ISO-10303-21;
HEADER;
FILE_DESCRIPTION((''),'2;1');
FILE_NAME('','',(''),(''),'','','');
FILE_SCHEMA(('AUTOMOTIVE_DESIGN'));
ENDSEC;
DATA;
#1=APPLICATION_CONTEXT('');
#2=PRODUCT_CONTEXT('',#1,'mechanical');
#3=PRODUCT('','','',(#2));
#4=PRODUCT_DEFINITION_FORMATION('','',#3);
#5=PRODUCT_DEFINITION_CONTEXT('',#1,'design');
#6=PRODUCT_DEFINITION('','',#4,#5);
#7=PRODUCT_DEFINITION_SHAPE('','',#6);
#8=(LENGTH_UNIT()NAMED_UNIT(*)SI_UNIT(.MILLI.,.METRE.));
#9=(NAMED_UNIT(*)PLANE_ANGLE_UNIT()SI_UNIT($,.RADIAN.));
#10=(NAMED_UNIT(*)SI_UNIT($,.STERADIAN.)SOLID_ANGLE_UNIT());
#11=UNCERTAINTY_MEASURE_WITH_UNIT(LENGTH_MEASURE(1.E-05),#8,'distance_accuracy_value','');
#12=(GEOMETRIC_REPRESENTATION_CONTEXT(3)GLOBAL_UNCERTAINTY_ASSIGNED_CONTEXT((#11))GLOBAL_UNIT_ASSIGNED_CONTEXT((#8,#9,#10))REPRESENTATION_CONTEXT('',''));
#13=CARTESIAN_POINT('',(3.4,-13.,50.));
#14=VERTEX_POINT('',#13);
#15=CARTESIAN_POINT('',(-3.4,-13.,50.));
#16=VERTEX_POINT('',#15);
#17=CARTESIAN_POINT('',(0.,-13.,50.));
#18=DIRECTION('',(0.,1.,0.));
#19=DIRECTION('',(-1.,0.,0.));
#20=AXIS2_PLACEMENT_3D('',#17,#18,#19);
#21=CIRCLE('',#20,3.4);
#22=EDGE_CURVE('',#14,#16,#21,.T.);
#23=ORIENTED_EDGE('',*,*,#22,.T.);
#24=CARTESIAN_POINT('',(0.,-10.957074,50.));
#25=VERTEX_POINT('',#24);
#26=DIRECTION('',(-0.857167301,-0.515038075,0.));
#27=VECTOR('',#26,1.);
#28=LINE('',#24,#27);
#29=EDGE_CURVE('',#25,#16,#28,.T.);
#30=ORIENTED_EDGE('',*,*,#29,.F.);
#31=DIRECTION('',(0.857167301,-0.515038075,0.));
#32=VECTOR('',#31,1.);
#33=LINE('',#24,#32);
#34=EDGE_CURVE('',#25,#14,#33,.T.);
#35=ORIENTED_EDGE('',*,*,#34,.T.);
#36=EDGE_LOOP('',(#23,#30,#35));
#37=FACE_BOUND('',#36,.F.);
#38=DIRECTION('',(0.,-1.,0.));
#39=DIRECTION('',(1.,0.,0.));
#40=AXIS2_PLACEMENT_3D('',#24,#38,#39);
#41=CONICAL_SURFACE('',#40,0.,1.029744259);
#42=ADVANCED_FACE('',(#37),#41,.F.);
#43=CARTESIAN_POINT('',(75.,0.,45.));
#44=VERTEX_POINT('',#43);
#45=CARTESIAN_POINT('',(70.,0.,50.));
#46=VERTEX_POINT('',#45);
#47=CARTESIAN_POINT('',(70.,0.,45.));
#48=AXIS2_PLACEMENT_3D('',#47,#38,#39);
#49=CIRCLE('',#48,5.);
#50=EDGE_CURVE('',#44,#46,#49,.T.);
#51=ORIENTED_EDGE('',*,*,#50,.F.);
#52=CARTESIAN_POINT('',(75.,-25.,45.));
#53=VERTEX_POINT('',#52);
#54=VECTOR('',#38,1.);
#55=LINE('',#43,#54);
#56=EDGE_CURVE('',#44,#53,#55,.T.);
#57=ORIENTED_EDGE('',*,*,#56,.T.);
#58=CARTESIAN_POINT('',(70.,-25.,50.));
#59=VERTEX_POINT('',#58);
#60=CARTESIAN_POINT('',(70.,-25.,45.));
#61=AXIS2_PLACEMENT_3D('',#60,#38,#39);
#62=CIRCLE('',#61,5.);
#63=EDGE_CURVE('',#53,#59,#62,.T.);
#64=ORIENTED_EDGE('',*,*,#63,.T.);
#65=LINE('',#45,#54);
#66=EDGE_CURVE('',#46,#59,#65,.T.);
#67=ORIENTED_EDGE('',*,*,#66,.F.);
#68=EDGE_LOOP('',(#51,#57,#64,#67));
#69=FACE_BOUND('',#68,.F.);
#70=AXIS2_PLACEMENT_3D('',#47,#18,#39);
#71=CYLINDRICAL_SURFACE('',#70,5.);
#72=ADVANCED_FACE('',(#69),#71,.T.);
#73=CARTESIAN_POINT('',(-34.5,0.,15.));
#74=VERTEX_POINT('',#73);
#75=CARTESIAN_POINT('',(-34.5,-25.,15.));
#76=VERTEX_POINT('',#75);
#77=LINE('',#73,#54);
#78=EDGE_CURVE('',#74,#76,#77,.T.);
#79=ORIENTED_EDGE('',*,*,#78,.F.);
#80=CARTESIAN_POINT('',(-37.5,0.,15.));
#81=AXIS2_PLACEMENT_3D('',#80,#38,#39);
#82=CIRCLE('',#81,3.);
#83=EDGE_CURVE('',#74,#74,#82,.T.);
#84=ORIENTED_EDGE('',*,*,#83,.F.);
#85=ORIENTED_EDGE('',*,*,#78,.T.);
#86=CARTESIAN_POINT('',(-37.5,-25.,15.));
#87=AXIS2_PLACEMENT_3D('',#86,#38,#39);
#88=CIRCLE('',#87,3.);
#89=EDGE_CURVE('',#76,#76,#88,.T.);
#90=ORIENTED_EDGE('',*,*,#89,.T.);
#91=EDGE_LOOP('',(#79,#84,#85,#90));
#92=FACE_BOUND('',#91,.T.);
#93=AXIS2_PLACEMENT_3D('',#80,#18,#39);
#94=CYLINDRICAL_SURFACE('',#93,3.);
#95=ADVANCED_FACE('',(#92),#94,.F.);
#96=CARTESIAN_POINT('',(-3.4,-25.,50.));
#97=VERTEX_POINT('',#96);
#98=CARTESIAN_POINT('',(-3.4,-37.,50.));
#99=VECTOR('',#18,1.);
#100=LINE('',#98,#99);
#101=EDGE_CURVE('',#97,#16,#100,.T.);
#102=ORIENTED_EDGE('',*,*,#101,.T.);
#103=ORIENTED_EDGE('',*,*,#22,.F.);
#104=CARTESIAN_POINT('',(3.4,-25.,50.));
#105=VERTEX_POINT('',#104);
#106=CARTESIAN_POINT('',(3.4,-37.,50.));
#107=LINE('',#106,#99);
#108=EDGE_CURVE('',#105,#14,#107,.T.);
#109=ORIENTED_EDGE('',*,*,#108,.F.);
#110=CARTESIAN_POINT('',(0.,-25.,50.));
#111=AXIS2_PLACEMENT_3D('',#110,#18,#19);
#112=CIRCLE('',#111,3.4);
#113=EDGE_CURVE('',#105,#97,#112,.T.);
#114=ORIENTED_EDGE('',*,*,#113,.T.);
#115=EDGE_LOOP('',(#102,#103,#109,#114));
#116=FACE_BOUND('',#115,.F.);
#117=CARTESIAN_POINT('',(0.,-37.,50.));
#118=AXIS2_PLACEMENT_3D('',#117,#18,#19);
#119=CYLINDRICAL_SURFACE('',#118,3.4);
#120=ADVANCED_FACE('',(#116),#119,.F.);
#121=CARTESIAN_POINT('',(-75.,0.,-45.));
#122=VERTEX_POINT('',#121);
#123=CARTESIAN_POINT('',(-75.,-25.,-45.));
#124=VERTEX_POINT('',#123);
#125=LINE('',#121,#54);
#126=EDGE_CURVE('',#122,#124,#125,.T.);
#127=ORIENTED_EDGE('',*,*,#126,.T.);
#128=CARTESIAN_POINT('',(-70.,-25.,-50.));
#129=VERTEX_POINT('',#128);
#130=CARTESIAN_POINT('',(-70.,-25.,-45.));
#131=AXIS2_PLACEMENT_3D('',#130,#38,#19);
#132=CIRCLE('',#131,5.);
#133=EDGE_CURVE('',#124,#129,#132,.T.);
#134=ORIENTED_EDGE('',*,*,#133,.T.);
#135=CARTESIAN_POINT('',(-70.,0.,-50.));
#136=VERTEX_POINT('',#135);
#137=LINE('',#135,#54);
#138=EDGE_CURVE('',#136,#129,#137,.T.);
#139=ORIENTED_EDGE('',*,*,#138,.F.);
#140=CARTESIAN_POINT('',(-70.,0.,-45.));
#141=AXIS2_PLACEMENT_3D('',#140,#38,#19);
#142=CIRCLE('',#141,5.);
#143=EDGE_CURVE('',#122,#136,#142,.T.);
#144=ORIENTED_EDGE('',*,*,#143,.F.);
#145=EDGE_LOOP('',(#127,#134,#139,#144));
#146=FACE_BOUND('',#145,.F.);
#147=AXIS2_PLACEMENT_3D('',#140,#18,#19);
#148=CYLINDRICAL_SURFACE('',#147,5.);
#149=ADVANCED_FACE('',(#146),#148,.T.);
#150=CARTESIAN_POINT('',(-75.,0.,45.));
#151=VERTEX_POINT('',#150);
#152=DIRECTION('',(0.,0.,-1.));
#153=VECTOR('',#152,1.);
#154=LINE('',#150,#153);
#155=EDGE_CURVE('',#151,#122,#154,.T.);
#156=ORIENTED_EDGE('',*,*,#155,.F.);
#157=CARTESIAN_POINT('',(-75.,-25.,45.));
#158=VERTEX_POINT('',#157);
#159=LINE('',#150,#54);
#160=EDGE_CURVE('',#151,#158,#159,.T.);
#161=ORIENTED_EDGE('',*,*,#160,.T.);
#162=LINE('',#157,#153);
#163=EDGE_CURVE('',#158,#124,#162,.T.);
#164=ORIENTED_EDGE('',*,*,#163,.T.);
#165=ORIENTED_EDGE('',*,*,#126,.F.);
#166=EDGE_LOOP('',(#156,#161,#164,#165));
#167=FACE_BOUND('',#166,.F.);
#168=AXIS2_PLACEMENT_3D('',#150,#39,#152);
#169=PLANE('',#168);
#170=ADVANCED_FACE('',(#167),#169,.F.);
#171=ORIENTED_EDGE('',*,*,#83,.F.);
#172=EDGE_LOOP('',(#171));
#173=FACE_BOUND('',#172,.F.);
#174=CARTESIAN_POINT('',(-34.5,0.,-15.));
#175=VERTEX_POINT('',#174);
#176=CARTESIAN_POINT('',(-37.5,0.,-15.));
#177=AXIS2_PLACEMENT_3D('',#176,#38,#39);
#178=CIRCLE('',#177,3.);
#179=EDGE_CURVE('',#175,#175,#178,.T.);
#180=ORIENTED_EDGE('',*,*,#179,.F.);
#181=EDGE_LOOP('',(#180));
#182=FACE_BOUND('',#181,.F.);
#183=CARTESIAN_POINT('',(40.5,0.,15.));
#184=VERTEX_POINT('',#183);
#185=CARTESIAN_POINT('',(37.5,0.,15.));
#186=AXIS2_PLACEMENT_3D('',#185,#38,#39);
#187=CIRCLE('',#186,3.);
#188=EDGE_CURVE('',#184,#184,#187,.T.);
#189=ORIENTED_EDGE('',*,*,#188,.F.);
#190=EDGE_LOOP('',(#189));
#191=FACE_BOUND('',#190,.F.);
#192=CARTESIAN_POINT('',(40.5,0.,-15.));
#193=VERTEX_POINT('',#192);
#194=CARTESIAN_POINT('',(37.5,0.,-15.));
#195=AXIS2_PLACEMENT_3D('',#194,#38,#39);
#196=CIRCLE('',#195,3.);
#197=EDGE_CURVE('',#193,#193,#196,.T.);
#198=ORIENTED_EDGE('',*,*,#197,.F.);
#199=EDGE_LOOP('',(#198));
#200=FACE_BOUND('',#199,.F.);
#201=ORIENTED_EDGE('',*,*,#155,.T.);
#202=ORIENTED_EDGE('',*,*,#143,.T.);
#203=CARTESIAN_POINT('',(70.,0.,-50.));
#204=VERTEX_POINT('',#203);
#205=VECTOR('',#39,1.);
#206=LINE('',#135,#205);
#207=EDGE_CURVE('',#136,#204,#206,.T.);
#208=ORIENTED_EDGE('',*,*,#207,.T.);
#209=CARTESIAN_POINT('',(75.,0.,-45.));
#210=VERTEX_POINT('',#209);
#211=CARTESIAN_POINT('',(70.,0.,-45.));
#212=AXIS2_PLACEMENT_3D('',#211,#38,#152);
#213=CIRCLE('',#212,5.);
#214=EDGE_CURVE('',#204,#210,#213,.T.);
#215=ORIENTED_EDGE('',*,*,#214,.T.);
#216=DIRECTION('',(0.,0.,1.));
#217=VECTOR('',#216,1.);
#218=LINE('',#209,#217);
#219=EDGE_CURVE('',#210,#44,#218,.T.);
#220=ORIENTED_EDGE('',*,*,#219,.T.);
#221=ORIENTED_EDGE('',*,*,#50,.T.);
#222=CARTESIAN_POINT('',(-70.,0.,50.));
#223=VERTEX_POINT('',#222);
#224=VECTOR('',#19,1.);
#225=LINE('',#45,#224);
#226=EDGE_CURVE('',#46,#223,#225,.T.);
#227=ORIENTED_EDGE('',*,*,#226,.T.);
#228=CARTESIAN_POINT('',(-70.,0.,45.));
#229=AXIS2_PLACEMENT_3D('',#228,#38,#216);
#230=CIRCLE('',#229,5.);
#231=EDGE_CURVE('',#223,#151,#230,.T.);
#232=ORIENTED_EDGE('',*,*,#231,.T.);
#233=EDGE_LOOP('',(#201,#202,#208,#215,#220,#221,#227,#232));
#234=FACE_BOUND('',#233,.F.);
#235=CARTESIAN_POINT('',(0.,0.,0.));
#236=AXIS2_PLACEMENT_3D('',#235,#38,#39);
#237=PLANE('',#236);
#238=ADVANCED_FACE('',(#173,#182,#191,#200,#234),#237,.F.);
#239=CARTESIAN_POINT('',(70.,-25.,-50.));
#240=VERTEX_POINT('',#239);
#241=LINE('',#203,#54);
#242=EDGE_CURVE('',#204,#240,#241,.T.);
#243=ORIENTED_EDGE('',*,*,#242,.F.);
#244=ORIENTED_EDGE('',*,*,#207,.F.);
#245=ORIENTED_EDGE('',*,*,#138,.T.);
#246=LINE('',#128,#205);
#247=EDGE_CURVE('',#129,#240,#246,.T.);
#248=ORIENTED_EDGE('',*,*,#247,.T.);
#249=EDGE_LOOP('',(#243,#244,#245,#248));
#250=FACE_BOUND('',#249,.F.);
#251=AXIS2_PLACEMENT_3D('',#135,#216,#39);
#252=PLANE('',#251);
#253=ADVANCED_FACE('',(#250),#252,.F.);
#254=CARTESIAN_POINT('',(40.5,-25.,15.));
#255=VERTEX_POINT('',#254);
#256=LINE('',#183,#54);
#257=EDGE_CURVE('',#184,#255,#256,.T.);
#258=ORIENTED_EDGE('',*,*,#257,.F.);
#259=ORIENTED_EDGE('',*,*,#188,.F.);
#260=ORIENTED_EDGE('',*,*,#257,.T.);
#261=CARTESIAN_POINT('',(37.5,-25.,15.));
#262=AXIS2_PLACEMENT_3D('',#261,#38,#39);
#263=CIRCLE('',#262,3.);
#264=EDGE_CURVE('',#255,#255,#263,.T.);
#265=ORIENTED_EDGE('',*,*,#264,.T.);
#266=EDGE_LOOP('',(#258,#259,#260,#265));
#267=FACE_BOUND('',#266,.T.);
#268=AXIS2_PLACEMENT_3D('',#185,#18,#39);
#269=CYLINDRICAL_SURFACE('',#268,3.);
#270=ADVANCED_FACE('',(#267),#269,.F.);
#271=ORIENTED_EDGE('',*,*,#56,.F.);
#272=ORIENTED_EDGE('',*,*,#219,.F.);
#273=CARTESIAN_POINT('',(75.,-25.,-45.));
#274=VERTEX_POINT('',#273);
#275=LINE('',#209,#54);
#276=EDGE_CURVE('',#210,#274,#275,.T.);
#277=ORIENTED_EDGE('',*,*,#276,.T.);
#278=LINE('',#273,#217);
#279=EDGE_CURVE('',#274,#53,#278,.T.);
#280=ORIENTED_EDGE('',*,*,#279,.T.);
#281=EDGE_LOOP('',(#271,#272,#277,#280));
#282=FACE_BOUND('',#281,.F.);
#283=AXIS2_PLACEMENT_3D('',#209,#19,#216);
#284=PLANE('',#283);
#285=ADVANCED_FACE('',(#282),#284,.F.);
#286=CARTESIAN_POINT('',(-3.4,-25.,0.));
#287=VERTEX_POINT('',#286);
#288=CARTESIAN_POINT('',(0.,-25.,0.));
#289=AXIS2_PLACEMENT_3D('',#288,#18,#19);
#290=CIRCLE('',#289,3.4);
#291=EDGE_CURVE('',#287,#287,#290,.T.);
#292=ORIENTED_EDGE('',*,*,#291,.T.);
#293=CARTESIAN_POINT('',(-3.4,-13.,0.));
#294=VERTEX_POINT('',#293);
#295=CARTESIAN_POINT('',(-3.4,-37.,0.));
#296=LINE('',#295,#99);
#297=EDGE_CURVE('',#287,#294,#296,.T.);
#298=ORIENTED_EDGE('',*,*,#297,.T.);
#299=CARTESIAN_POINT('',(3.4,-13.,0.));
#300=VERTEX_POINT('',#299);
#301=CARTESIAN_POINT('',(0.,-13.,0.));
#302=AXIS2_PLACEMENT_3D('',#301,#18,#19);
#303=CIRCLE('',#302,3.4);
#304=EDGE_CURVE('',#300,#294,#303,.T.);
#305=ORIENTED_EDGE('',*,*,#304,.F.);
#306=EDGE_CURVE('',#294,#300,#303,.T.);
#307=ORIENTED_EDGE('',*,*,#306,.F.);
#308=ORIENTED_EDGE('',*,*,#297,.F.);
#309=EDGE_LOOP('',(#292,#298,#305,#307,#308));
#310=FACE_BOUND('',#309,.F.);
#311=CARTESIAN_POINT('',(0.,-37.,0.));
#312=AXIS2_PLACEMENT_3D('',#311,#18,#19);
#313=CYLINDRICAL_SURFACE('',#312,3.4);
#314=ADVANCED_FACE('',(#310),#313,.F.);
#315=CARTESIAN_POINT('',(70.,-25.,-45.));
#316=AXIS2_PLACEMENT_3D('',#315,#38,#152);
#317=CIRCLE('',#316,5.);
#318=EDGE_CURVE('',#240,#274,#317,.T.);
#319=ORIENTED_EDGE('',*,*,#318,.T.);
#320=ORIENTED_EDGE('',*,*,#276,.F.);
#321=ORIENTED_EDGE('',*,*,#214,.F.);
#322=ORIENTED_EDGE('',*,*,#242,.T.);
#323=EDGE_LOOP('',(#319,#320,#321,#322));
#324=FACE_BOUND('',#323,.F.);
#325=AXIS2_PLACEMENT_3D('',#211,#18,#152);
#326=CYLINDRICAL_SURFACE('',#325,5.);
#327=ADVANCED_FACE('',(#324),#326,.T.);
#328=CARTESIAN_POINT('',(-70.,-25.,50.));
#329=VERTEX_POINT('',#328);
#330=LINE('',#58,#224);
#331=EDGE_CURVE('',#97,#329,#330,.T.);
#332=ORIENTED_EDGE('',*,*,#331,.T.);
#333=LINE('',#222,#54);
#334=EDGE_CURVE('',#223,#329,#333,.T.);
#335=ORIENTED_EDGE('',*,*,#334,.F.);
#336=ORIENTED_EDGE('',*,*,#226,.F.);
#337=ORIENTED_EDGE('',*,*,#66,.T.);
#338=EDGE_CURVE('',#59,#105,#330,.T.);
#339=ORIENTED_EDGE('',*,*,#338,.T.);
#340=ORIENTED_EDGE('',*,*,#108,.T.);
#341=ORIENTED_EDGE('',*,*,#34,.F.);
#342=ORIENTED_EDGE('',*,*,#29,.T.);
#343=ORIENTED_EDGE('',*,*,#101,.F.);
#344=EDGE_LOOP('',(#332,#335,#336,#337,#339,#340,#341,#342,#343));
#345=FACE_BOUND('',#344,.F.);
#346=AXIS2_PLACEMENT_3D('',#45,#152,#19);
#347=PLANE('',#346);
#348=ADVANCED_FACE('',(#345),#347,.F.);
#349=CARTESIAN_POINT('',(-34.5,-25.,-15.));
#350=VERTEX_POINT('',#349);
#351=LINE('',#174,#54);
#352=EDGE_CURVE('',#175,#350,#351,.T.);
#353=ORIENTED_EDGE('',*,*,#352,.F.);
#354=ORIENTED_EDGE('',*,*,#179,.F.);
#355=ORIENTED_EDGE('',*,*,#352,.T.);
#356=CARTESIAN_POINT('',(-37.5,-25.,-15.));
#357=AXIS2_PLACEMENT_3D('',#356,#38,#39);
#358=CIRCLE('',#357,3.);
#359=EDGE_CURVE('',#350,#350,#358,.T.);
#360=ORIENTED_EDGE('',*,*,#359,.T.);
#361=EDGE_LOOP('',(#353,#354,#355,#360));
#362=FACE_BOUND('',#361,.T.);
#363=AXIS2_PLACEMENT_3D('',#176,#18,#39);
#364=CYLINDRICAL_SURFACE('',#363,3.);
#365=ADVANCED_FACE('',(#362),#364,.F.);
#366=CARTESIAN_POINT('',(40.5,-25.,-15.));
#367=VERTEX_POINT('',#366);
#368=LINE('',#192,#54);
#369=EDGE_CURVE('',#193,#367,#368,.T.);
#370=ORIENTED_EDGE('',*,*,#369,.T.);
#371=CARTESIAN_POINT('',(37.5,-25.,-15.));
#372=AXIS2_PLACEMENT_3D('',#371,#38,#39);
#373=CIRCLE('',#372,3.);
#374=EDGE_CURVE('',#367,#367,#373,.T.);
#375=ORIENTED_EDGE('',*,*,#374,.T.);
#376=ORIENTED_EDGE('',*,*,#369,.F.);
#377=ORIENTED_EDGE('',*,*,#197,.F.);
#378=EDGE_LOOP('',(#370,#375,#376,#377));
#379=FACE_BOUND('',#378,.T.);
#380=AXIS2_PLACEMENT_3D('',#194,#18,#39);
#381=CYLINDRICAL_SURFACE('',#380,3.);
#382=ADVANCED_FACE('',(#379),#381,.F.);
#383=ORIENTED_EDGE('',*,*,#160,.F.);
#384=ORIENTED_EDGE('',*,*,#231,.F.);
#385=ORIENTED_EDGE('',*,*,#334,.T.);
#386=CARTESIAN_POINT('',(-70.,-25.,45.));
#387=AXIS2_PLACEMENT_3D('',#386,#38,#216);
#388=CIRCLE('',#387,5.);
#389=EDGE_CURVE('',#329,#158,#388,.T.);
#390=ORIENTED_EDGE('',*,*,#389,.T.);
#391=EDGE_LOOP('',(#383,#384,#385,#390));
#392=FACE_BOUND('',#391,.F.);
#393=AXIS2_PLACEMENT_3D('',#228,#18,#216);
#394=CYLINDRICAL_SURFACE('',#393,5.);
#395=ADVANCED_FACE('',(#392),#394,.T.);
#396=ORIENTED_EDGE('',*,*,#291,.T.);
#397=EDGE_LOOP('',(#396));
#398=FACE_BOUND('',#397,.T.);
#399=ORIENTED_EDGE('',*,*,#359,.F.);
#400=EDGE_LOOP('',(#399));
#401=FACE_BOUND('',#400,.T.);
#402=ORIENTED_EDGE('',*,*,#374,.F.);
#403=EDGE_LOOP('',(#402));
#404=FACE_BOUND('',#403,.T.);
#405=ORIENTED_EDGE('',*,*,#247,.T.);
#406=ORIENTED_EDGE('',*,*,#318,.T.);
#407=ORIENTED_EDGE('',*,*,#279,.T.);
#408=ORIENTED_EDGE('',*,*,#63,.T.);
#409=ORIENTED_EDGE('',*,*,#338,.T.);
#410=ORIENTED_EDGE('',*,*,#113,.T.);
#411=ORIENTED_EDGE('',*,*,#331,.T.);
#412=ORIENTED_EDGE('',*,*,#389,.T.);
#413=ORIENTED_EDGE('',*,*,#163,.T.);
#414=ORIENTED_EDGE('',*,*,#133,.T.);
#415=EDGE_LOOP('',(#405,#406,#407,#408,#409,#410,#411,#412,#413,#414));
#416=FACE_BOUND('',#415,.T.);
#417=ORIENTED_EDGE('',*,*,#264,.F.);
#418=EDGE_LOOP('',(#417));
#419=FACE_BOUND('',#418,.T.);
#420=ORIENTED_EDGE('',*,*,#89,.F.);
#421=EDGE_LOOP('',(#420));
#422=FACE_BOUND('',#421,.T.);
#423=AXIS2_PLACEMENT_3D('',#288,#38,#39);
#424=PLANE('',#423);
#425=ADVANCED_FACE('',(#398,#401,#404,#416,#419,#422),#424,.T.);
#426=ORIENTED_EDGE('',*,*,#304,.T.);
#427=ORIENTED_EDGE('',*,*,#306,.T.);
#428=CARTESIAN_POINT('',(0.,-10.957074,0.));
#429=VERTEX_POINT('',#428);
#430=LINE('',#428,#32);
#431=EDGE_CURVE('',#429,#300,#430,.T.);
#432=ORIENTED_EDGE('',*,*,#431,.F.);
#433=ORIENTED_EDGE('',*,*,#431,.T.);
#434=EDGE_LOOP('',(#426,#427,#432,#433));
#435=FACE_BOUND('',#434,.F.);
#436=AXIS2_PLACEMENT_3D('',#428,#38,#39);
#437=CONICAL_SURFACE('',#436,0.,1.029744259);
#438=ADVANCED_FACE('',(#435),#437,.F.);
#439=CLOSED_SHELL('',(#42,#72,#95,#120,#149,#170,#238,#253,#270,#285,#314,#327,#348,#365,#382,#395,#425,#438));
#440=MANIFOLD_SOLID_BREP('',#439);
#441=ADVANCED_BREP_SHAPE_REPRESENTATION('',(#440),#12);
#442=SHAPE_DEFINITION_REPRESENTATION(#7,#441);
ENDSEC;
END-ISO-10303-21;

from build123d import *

# Parameters (mm, degrees)
F0_R     = 3
F1_DEPTH = 25
F3_D     = 6.8
F3_DEPTH = 12
F3_TIP   = 2.0429261047


with BuildPart() as f1:
    # F0 (on Front) → F1 (new body)
    with BuildSketch(Plane.XZ):
        with BuildLine():
            Line((70, 50), (-70, 50))
            ThreePointArc((-70, 50), (-73.5355339059, 48.5355339059), (-75, 45))
            Line((-75, 45), (-75, -45))
            ThreePointArc((-75, -45), (-73.5355339059, -48.5355339059), (-70, -50))
            Line((-70, -50), (70, -50))
            ThreePointArc((70, -50), (73.5355339059, -48.5355339059), (75, -45))
            Line((75, -45), (75, 45))
            ThreePointArc((75, 45), (73.5355339059, 48.5355339059), (70, 50))
        make_face()
        with Locations((-37.5, -15)):
            Circle(F0_R, mode=Mode.SUBTRACT)
        with Locations((37.5, -15)):
            Circle(F0_R, mode=Mode.SUBTRACT)
        with Locations((-37.5, 15)):
            Circle(F0_R, mode=Mode.SUBTRACT)
        with Locations((37.5, 15)):
            Circle(F0_R, mode=Mode.SUBTRACT)
    extrude(amount=F1_DEPTH)

    # F3
    with Locations(Plane.XZ.offset(25)):
        with Locations((0, 0), (0, 50)):
            Hole(F3_D / 2, depth=F3_DEPTH)
            with Locations((0, 0, -(F3_DEPTH + F3_TIP / 2))):  # 118° drill point
                Cone(0, F3_D / 2, F3_TIP, mode=Mode.SUBTRACT)


solid = f1.part
